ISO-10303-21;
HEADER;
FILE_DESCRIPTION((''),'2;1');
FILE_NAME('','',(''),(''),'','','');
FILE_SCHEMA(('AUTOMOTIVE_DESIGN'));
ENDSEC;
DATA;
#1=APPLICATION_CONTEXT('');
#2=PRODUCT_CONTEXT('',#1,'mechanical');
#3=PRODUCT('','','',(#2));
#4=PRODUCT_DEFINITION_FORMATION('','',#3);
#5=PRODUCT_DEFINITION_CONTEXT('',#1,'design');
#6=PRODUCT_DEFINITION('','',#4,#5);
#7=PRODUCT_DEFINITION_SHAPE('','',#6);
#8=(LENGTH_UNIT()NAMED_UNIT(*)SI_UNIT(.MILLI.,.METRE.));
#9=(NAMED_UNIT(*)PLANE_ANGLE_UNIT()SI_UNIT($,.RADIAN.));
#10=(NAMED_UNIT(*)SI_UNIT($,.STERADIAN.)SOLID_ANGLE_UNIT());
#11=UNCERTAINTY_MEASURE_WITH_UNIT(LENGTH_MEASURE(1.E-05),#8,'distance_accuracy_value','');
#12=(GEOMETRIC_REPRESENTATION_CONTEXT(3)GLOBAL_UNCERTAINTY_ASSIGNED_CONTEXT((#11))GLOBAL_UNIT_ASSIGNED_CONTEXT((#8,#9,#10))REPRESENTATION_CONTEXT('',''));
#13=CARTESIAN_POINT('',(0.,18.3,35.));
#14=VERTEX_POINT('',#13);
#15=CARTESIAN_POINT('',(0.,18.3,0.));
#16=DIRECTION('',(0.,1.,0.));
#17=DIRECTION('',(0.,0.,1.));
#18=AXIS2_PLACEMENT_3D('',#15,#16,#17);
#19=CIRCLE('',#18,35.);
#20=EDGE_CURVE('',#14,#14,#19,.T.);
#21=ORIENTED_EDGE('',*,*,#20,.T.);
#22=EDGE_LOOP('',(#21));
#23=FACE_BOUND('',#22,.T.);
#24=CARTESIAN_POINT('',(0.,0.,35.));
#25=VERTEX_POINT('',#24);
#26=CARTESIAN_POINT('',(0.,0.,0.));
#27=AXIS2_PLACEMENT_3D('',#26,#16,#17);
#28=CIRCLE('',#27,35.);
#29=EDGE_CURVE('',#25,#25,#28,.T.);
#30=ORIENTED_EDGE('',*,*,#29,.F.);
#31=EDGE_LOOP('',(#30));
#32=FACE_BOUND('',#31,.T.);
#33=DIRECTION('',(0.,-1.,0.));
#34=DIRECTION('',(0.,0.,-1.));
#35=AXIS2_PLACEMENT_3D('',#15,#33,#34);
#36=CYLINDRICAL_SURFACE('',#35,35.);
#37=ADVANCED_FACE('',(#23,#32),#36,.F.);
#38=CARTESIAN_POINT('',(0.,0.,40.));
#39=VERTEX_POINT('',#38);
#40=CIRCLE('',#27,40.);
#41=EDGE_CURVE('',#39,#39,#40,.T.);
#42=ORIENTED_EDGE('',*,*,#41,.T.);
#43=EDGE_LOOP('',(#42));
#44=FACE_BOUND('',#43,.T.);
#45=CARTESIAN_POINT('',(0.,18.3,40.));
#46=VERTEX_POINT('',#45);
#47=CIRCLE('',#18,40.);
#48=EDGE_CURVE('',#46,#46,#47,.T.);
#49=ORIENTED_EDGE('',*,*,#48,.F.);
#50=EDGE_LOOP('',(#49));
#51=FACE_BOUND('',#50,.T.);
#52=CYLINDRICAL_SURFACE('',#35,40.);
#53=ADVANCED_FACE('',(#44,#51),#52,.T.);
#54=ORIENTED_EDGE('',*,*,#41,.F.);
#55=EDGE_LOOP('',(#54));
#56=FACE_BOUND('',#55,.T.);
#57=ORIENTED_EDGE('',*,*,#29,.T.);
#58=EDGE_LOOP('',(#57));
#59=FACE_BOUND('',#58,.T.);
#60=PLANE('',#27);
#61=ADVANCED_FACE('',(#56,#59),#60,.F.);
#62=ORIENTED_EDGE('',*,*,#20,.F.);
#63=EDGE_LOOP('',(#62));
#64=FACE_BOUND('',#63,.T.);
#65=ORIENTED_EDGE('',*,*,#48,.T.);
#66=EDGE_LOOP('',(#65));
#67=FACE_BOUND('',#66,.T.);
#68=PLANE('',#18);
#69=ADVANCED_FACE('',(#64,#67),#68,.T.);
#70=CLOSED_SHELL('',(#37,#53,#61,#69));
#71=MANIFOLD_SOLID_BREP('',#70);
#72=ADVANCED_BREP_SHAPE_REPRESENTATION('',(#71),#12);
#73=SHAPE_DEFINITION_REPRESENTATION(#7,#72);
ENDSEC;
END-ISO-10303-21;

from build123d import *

# Parameters (mm, degrees)
SKETCH_1_R      = 40
SKETCH_1_R_2    = 35
EXTRUDE_1_DEPTH = 18.3


with BuildPart() as part:
    # Эскиз1 → Бобышка-Вытянуть1 (new body)
    with BuildSketch(Plane(origin=(0, 0, 0), x_dir=(1, 0, 0), z_dir=(0, 1, 0))):
        with Locations(Location((0, 0, 0), (0, 0, 270))):
            Circle(SKETCH_1_R)
        with Locations(Location((0, 0, 0), (0, 0, 270))):
            Circle(SKETCH_1_R_2, mode=Mode.SUBTRACT)
    extrude(amount=EXTRUDE_1_DEPTH)


solid = part.part
